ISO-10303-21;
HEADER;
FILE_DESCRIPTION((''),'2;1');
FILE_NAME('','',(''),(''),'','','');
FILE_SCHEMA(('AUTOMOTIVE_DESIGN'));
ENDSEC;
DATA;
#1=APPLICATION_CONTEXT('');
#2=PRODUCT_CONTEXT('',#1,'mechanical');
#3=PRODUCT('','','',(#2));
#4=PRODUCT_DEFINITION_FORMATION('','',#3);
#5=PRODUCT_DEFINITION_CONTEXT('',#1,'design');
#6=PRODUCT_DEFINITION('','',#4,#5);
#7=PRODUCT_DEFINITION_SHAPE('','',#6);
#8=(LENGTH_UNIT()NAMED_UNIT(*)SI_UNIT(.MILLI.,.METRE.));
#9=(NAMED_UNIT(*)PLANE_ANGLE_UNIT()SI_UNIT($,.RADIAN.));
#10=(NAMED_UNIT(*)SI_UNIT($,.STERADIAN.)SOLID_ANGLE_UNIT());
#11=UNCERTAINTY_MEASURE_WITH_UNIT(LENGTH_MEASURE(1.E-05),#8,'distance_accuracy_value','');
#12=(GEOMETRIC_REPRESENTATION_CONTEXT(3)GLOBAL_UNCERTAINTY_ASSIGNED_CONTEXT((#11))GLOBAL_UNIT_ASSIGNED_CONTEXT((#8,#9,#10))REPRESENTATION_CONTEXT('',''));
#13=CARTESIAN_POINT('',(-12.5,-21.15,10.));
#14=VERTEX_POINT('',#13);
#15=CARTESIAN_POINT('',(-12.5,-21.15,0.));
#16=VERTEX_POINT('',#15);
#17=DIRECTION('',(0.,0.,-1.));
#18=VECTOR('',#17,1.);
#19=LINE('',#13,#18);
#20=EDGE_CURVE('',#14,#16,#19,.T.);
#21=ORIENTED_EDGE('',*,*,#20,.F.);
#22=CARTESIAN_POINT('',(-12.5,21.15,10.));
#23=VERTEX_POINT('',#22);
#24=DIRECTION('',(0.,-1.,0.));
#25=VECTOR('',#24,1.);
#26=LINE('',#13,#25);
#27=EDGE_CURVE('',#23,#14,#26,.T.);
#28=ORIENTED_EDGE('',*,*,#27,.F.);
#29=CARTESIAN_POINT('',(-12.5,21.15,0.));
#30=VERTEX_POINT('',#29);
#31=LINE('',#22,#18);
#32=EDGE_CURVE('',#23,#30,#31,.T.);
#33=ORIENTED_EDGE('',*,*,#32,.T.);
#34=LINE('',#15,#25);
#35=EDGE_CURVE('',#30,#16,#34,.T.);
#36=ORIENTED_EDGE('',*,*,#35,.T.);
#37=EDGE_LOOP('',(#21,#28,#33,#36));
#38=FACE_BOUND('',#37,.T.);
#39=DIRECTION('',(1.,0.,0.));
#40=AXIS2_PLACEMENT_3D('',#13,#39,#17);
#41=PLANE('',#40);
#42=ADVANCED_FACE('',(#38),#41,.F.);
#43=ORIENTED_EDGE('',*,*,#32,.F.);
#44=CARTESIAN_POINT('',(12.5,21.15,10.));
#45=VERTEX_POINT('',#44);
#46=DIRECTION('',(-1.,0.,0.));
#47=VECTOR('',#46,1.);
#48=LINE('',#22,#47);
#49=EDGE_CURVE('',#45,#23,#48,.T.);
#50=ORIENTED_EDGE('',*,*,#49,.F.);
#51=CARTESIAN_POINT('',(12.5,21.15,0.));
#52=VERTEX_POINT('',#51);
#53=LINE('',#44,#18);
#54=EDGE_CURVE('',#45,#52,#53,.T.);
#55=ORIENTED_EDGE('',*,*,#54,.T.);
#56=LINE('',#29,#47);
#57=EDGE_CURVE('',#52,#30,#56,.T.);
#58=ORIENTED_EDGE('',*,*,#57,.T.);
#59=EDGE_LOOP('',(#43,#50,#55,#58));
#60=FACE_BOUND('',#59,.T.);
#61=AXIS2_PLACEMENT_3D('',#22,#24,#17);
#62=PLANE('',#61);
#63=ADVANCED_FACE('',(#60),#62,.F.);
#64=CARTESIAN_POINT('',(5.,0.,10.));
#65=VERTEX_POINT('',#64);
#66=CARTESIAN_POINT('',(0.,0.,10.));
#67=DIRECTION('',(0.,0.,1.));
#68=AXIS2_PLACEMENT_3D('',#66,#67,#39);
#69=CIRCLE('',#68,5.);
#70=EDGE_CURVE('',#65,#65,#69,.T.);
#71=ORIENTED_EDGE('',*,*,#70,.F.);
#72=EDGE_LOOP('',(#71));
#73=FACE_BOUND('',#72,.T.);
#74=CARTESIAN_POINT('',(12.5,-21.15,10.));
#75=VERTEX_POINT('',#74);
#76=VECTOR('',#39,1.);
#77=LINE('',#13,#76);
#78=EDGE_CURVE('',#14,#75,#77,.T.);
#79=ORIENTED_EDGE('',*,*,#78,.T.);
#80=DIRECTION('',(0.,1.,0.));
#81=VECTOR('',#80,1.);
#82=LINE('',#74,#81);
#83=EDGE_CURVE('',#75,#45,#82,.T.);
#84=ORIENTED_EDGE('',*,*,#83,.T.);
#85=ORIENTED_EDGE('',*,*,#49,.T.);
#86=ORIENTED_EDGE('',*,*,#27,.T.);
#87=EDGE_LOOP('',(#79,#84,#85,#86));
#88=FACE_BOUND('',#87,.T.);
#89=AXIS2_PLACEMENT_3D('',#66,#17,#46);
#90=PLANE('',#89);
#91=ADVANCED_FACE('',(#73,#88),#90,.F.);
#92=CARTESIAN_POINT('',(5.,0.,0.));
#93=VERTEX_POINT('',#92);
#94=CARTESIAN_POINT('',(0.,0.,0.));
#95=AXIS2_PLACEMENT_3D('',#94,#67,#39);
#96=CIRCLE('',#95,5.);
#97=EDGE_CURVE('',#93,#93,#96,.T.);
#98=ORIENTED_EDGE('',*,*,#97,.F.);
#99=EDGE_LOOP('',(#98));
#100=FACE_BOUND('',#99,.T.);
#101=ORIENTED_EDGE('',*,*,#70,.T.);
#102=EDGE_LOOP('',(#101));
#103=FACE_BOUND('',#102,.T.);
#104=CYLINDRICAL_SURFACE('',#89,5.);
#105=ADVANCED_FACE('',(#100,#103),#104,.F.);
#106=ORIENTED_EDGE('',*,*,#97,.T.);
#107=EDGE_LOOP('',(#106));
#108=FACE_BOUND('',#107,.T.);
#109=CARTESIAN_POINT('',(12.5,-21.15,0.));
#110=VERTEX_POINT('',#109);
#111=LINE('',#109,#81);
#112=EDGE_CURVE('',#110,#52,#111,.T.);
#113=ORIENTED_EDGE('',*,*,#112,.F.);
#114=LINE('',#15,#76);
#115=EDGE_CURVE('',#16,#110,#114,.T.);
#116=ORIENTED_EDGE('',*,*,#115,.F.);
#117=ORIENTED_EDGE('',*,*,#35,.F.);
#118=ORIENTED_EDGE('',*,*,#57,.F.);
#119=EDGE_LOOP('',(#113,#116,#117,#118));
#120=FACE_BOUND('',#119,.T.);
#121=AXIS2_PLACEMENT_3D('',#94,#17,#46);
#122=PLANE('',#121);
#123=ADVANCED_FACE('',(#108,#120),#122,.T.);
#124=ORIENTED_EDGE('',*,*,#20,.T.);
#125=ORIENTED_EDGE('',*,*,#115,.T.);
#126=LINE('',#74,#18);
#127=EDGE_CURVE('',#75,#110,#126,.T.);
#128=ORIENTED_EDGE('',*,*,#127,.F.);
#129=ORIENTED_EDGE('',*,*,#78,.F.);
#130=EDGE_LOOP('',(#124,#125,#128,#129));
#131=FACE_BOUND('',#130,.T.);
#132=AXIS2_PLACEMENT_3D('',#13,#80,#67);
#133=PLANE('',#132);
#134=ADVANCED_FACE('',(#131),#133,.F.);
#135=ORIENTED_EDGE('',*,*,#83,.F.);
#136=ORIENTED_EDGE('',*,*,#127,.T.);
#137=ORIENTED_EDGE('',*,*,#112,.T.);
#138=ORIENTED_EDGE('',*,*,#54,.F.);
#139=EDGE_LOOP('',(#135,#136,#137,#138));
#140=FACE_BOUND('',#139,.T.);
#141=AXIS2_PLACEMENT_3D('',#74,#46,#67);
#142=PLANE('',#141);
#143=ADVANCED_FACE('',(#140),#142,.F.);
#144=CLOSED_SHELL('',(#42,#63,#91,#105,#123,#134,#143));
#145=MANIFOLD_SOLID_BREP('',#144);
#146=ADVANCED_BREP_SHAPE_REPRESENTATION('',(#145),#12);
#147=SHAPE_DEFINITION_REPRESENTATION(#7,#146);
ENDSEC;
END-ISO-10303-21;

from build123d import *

# Parameters (mm, degrees)
SKETCH1_W           = 25
SKETCH1_H           = 42.3
SKETCH1_R           = 5
BOSS_EXTRUDE1_DEPTH = 10


with BuildPart() as part:
    # Sketch1 → Boss-Extrude1 (new body)
    with BuildSketch(Plane.XY):
        Rectangle(SKETCH1_W, SKETCH1_H)
        Circle(SKETCH1_R, mode=Mode.SUBTRACT)
    extrude(amount=BOSS_EXTRUDE1_DEPTH)


solid = part.part
